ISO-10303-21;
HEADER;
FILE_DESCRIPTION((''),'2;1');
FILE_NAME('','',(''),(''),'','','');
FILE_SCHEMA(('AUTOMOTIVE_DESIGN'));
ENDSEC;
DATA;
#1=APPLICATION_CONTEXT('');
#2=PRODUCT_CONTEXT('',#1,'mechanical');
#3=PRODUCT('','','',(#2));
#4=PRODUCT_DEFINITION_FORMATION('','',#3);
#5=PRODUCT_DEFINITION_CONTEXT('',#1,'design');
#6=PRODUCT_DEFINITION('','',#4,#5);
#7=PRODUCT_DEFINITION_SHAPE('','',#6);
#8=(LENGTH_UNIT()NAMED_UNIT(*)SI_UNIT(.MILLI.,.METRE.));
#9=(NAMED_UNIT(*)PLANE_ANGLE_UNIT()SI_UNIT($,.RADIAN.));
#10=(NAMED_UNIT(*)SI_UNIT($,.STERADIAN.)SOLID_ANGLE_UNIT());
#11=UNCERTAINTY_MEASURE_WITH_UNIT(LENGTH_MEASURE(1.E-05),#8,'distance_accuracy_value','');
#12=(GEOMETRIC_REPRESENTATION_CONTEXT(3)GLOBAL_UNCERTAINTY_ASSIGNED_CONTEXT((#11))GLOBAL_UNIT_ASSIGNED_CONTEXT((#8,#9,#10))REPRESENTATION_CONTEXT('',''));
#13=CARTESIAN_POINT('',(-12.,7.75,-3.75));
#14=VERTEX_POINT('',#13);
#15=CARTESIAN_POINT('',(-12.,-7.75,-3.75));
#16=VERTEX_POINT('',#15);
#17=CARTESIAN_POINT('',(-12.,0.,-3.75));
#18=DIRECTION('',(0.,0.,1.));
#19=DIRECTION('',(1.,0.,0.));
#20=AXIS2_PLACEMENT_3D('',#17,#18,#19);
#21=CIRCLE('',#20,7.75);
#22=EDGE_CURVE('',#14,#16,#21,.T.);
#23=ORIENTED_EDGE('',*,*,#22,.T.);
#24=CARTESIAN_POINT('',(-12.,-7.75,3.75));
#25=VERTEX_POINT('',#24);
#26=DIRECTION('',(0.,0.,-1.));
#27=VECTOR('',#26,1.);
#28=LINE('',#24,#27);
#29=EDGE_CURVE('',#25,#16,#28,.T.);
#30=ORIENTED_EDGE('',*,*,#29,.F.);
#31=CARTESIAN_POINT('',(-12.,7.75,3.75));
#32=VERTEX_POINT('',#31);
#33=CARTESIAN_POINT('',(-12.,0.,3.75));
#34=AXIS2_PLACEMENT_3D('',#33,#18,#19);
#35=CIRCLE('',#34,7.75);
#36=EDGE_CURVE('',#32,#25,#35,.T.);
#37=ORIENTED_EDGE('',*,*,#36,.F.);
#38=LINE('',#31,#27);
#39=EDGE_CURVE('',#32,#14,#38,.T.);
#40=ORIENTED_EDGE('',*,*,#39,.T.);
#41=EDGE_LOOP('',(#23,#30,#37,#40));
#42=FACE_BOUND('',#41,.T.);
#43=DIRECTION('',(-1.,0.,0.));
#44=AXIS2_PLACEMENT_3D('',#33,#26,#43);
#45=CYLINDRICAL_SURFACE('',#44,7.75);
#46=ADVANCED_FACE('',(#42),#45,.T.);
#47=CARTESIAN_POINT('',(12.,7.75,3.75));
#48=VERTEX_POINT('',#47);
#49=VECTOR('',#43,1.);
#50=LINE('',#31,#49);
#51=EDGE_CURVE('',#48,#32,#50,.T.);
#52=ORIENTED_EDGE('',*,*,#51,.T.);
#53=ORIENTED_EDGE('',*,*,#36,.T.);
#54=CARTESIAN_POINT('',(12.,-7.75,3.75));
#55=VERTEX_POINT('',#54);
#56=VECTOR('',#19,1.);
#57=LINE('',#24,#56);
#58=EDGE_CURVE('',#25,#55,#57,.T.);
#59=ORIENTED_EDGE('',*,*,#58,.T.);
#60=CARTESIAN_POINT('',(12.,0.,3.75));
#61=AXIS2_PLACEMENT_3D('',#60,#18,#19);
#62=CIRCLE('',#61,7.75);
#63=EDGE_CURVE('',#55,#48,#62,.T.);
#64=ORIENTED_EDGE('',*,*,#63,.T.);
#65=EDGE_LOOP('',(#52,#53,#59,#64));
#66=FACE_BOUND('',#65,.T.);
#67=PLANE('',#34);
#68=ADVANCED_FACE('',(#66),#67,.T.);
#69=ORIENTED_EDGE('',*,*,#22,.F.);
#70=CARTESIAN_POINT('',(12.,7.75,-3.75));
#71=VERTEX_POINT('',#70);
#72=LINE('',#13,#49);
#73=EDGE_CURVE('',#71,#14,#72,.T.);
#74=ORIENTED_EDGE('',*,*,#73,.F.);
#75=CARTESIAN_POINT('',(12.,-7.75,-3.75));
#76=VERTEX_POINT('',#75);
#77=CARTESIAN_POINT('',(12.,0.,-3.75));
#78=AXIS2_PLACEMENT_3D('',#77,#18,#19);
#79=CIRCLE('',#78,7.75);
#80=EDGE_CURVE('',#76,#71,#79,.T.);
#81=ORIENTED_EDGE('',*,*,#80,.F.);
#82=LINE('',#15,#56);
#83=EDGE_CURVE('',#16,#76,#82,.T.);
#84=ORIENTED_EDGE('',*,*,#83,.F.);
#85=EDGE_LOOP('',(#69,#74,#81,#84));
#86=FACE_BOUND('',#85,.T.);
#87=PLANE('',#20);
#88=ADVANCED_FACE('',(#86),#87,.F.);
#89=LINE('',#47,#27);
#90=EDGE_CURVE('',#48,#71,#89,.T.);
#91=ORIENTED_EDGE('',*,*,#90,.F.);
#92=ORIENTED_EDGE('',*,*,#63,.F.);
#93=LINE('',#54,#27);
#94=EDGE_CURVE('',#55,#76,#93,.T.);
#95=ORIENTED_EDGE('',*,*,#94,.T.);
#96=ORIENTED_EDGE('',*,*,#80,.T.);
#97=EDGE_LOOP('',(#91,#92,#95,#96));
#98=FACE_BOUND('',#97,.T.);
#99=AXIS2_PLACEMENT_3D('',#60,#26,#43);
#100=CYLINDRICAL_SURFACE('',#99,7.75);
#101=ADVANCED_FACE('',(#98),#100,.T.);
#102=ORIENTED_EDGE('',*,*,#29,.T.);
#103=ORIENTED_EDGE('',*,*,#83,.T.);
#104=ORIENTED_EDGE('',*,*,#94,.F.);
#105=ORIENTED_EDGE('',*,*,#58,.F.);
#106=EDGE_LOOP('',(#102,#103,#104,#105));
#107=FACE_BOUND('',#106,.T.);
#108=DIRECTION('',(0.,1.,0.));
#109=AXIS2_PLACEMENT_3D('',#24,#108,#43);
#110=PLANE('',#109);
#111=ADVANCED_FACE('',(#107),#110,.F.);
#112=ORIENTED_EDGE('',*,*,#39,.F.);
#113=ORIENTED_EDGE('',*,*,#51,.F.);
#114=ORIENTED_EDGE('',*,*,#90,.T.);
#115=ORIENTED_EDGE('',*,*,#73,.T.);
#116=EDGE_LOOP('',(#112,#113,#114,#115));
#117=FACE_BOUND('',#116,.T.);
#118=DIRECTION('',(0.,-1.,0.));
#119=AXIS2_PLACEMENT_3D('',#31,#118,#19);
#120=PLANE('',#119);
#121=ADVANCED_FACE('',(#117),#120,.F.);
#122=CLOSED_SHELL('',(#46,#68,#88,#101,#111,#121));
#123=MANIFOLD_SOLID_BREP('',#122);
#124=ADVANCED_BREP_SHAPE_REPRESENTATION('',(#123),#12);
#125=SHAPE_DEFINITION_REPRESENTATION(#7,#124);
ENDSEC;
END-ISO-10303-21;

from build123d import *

# Parameters (mm, degrees)
BOSS_EXTRUDE1_DEPTH = 3.75


with BuildPart() as part:
    # Sketch1 → Boss-Extrude1 (new, symmetric)
    with BuildSketch(Plane.XY):
        with BuildLine():
            Line((-12, 7.75), (12, 7.75))
            ThreePointArc((12, 7.75), (19.75, 0), (12, -7.75))
            Line((12, -7.75), (-12, -7.75))
            ThreePointArc((-12, -7.75), (-19.75, 0), (-12, 7.75))
        make_face()
    extrude(amount=BOSS_EXTRUDE1_DEPTH, both=True)


solid = part.part
